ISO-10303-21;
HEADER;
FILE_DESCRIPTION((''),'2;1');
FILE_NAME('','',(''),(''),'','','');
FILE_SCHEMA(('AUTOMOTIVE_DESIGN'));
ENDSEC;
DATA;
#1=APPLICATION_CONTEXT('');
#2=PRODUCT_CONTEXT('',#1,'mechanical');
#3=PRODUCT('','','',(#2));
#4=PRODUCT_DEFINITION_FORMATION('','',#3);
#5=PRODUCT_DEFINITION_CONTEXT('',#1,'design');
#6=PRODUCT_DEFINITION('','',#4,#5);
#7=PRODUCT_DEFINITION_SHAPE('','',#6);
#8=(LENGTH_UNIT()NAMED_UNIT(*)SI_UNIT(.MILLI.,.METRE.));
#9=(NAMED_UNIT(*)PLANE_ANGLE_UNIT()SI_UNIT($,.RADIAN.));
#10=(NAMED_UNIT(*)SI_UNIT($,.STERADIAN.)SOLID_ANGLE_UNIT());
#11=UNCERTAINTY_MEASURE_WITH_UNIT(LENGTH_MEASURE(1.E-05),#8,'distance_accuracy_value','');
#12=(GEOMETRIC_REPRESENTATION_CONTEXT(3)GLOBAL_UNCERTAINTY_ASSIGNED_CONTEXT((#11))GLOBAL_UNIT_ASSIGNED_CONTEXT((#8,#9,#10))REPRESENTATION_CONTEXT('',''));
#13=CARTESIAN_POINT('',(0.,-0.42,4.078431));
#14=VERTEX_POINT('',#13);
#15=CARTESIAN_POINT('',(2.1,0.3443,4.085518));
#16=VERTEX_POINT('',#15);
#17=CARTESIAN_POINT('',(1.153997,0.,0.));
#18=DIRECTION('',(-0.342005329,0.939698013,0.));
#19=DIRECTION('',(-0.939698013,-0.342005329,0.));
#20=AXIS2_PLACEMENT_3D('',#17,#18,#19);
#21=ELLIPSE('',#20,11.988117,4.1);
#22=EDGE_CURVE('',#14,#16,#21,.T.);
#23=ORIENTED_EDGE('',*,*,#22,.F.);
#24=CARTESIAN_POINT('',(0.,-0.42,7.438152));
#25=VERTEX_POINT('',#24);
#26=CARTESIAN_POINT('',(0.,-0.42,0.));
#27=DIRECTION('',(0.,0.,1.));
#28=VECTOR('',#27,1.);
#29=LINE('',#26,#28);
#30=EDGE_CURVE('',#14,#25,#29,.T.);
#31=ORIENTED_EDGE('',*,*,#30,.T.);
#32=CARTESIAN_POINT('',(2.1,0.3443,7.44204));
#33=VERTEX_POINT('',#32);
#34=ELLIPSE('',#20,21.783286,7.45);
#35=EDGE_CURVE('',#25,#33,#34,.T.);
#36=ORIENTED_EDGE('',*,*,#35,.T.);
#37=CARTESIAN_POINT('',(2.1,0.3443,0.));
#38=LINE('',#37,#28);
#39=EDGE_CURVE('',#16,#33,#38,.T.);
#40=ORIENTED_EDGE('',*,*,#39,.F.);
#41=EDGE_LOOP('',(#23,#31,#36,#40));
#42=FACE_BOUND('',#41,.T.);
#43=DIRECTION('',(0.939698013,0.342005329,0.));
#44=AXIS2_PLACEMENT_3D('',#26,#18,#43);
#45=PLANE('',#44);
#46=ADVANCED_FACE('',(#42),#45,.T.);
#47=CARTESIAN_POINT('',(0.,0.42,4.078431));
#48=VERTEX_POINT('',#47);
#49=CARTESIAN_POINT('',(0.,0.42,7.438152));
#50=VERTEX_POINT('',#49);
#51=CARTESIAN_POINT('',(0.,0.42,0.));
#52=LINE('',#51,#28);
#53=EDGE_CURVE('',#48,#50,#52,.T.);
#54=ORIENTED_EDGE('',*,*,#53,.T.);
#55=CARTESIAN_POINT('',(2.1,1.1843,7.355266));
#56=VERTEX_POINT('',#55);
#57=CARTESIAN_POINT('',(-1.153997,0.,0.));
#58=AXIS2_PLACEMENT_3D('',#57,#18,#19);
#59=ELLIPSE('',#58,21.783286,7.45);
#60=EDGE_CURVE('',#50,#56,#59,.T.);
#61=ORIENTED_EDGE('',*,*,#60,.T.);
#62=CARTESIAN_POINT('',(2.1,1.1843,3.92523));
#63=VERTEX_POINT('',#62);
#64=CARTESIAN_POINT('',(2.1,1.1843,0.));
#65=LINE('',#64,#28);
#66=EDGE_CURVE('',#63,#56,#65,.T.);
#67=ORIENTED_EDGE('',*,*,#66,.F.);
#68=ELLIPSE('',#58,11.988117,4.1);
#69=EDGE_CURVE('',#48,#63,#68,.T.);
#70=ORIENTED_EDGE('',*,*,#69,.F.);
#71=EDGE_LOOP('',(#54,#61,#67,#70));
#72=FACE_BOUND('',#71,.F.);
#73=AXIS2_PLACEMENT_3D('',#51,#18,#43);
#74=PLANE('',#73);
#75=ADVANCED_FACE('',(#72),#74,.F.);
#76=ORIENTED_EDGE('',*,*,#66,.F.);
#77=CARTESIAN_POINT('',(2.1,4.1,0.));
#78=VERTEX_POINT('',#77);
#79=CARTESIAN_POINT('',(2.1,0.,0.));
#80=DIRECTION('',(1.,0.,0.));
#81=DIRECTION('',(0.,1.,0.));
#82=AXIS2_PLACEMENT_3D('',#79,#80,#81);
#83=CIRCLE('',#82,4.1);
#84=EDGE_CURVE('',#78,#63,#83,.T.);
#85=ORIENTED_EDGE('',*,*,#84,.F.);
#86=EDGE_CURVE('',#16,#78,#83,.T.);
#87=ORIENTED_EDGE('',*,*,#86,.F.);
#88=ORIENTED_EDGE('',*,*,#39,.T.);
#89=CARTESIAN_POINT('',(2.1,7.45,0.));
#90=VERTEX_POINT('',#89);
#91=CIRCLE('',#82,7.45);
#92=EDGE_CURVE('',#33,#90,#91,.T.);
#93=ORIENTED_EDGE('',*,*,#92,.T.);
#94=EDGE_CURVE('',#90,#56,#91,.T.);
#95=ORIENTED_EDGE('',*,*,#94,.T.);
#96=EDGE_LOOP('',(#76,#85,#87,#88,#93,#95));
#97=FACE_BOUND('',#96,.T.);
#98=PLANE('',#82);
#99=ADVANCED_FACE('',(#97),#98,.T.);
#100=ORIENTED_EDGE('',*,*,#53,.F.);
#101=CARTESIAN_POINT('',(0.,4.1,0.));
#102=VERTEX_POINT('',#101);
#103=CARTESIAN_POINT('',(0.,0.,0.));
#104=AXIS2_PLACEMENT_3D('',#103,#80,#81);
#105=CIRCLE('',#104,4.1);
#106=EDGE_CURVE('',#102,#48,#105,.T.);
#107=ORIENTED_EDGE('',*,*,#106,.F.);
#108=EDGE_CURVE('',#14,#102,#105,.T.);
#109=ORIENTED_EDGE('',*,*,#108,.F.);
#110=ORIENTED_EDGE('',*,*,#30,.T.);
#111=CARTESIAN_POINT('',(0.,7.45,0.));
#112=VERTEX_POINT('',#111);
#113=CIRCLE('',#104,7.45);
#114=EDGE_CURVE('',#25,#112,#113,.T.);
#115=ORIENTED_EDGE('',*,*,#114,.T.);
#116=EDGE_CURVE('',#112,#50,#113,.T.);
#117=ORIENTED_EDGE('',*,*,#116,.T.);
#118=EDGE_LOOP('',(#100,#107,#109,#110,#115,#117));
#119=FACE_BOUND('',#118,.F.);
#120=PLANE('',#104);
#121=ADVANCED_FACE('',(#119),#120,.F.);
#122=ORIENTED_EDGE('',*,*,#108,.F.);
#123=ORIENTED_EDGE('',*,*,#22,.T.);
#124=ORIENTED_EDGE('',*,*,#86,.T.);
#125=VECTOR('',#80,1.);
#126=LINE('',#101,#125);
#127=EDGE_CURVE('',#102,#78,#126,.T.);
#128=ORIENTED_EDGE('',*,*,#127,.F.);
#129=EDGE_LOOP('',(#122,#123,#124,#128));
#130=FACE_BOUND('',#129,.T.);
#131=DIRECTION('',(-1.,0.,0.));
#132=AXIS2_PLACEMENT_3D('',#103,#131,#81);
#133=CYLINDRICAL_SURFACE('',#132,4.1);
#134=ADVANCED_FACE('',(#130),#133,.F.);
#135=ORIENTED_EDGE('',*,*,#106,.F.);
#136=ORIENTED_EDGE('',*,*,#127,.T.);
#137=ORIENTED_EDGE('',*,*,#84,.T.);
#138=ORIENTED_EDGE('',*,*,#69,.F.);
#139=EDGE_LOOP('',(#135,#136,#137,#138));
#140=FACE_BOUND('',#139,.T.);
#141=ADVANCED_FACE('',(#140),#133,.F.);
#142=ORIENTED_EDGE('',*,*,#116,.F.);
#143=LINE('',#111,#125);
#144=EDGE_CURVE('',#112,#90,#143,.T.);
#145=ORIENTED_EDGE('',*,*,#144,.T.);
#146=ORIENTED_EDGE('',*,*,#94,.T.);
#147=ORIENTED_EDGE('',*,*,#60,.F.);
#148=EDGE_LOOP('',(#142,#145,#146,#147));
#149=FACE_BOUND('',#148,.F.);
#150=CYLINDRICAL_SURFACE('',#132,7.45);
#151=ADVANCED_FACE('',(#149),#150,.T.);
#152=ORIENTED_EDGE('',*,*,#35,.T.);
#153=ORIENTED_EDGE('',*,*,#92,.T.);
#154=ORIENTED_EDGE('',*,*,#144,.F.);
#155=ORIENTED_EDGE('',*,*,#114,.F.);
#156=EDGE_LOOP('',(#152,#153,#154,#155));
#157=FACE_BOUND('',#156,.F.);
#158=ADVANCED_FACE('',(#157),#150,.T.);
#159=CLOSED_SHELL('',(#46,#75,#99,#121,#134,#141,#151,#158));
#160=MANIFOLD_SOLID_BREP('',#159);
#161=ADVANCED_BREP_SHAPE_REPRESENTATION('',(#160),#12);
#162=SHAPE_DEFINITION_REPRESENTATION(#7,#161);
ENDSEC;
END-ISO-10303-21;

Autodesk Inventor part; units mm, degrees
ref_plane "YZ Plane" through (0, 0, 0) normal (1, 0, 0) x (0, 1, 0)
ref_plane "XZ Plane" through (0, 0, 0) normal (0, 1, 0) x (-1, 0, 0)
sketch "Sketch1" plane through (0, 0, 0) normal (1, 0, 0) x (0, 1, 0)
  circle A0 centre (0, 0) radius 7.45
  circle A1 centre (0, 0) radius 4.1
  dimension "d0" = 8.2
  dimension "d1" = 14.9
extrude "Body" add sketch "Sketch1" along normal blind 2.1
sketch "Sketch2" plane through (0, 0, 0) normal (0, 0, 1) x (1, 0, 0)
  line L0 (0, -4.1) -> (0, 4.1) projected
  line L1 (2.1, 7.45) -> (2.1, -7.45) projected
  line L2 (-1.2, 0) -> (7.2, 0) projected
  line L3 (0, -0.42) -> (2.1, 0.3443)
  line L4 (0, 0.42) -> (2.1, 1.1843)
  dimension "d4" = 0.42
  dimension "d5" = 0.42
  dimension "d6" = 70
extrude "Cut" cut sketch "Sketch2" along normal up to next contours L0 L2 L3 | L0 L4 L1 L3 L2
ref_plane "Work Plane1" through (0, 0, 0) normal (0, -1, 0) x (1, 0, 0)
equation "\"d0\" = SD1"
equation "\"d1\" = SD2"
equation "\"d2\" = SD"
equation "\"d4\" = 0.2 * SD"
equation "\"d5\" = 0.2 * SD"
equation "\"d6\" = FAWI"
equation "\"d7\" = SD"
equation "\"SD1\" = 8.2"
equation "\"SD2\" = 14.9"
equation "\"SD\" = 2.1"
equation "\"FAWI\" = 70deg"
equation "\"NND\" = 8"
properties part number "AS 1968 - 1976 - 8" material "Steel, Mild"
